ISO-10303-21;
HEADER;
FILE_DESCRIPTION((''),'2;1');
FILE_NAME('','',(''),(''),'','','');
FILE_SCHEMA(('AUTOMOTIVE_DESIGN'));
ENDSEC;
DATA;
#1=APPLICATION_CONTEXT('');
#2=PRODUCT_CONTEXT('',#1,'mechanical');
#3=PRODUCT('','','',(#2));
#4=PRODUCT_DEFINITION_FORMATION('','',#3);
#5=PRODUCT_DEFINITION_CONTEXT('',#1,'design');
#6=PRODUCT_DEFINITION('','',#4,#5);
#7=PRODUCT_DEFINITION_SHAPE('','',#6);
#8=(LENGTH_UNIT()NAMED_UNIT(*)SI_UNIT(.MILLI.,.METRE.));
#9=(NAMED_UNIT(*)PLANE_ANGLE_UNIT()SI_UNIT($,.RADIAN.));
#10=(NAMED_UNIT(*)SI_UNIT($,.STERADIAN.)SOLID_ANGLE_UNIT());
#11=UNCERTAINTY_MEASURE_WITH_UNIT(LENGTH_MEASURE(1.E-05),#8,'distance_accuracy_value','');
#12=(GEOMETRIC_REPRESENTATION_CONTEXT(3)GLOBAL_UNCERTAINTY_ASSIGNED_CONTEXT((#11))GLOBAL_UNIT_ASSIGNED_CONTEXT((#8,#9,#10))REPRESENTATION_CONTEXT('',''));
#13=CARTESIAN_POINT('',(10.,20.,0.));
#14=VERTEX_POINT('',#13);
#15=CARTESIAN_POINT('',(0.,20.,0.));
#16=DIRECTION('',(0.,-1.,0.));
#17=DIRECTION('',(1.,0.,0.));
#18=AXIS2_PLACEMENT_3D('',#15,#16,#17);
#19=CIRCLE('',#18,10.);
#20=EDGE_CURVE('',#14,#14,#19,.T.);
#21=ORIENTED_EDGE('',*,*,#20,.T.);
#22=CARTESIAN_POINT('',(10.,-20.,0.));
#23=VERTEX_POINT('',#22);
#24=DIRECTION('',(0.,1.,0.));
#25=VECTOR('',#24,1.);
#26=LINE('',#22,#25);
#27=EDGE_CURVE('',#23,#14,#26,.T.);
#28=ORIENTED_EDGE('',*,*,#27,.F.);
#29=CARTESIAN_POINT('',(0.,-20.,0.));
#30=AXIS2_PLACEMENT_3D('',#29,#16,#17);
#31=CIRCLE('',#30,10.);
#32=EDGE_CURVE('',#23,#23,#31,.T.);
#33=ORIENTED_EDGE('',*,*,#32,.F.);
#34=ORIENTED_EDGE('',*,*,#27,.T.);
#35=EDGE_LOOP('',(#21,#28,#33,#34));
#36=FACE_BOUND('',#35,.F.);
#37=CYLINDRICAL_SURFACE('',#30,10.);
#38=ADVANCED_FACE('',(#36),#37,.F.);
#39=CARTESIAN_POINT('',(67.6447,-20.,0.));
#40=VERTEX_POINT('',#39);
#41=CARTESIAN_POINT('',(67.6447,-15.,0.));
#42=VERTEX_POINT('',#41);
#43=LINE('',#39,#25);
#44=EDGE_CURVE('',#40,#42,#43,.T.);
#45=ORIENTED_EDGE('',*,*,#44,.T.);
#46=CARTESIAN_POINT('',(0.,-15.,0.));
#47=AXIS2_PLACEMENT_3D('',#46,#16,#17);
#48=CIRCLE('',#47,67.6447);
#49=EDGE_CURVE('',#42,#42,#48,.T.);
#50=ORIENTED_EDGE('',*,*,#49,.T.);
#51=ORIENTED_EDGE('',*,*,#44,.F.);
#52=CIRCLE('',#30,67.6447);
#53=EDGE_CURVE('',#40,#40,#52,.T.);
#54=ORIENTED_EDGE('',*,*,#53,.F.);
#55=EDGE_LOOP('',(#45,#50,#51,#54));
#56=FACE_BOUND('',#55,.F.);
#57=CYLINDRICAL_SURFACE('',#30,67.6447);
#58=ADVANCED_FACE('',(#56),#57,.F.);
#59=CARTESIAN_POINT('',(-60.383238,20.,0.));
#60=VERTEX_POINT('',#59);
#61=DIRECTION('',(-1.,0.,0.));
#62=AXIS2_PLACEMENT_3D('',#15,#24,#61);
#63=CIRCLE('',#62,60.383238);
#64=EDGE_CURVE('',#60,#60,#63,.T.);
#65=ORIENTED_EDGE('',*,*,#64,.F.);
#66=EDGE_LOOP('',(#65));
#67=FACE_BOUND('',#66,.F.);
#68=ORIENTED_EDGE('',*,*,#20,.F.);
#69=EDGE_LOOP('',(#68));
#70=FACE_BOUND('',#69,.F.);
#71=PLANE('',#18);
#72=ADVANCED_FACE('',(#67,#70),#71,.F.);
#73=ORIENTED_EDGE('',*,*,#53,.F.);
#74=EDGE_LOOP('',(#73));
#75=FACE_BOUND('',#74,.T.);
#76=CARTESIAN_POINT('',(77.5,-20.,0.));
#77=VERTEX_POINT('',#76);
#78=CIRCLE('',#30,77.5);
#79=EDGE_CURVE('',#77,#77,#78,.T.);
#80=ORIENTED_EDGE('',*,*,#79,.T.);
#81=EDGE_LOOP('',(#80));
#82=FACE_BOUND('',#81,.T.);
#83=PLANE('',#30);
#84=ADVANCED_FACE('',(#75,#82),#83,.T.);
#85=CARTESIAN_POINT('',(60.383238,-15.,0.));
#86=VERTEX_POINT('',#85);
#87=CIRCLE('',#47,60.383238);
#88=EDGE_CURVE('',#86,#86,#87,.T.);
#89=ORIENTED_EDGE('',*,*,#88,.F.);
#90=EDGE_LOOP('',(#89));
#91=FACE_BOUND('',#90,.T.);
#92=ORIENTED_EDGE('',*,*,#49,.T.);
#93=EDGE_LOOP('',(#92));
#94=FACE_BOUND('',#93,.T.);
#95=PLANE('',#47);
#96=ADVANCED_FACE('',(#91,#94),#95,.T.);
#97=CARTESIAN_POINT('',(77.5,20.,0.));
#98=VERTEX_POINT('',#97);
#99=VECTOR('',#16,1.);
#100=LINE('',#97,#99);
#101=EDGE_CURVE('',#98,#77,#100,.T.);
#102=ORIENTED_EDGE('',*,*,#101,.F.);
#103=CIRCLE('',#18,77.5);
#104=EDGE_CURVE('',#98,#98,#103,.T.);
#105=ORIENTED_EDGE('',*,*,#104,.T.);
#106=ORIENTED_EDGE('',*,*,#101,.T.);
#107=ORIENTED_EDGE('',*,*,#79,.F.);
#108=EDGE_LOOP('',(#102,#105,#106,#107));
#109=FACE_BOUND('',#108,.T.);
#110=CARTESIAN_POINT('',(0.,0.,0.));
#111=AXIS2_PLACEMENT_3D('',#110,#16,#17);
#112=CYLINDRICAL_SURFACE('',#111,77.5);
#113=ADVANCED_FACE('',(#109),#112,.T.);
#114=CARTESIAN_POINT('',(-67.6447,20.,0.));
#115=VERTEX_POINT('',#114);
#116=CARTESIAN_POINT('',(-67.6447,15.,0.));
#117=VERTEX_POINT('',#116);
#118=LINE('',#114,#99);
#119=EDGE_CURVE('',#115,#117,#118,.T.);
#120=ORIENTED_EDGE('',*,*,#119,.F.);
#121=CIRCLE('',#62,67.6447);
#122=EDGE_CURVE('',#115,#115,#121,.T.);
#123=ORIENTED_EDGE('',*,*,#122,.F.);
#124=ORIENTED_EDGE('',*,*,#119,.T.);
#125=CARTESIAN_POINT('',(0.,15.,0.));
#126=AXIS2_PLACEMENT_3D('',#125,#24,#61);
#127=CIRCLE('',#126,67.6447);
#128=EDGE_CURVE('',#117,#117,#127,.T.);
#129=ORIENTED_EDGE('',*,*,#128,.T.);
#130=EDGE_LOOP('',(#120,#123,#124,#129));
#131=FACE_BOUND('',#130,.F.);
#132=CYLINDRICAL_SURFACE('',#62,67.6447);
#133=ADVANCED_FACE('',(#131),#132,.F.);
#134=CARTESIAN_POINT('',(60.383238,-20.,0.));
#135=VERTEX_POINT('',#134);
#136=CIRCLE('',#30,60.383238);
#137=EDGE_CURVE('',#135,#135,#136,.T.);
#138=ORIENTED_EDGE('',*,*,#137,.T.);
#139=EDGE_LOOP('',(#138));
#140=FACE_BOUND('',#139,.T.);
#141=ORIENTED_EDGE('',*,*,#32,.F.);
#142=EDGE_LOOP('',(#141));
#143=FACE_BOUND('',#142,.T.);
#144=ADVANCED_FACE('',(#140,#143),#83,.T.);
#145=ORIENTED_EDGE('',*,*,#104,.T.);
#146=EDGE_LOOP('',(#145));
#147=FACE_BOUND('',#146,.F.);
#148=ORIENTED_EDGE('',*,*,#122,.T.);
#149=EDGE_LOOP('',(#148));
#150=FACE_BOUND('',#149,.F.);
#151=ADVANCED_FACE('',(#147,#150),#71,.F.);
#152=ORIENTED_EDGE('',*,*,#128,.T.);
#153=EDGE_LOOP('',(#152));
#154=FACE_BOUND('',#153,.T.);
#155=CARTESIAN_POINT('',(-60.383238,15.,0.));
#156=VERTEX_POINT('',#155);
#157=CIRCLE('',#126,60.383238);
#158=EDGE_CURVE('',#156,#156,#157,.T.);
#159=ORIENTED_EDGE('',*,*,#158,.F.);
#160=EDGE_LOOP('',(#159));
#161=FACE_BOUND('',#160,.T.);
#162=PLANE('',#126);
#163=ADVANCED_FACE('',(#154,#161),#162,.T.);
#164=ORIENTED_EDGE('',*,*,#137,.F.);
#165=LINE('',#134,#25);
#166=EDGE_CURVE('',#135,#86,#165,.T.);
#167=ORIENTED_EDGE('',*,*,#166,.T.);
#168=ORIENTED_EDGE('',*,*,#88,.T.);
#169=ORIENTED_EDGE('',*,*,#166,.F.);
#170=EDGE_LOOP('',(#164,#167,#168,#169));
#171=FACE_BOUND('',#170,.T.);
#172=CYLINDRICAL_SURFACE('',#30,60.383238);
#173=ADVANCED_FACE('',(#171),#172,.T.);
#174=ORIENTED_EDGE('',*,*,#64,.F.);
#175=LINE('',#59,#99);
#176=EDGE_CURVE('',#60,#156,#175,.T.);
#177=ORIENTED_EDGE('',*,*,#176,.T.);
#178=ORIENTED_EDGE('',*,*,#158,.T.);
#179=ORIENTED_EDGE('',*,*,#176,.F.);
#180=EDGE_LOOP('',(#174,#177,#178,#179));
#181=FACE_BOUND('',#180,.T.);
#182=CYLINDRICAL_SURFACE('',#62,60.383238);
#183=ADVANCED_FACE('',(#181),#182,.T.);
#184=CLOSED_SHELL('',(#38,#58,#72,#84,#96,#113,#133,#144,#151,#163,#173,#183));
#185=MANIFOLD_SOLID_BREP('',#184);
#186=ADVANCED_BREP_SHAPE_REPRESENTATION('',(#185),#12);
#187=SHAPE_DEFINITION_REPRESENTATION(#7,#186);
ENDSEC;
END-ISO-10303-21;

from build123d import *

# Parameters (mm, degrees)
F0_R     = 77.5
F1_DEPTH = 20
F2_R     = 67.6447
F2_R_2   = 60.383238
F3_DEPTH = 5
F4_R     = 67.6447
F4_R_2   = 60.383238
F5_DEPTH = 5
F6_R     = 10
F7_DEPTH = 40.001


with BuildPart() as f1:
    # F0 (on Front) → F1 (new body, symmetric)
    with BuildSketch(Plane.XZ):
        Circle(F0_R)
    extrude(amount=F1_DEPTH, both=True)

    # F2 (on face) → F3 (cut)
    with BuildSketch(Plane(origin=(0, 20, 0), x_dir=(-1, 0, 0), z_dir=(0, 1, 0))):
        Circle(F2_R)
        Circle(F2_R_2, mode=Mode.SUBTRACT)
    extrude(amount=-F3_DEPTH, mode=Mode.SUBTRACT)

    # F4 (on face) → F5 (cut)
    with BuildSketch(Plane.XZ.offset(20)):
        Circle(F4_R)
        Circle(F4_R_2, mode=Mode.SUBTRACT)
    extrude(amount=-F5_DEPTH, mode=Mode.SUBTRACT)

    # F6 (on face) → F7 (cut, through all)
    with BuildSketch(Plane.XZ.offset(20)):
        Circle(F6_R)
    extrude(amount=-F7_DEPTH, mode=Mode.SUBTRACT)


solid = f1.part
